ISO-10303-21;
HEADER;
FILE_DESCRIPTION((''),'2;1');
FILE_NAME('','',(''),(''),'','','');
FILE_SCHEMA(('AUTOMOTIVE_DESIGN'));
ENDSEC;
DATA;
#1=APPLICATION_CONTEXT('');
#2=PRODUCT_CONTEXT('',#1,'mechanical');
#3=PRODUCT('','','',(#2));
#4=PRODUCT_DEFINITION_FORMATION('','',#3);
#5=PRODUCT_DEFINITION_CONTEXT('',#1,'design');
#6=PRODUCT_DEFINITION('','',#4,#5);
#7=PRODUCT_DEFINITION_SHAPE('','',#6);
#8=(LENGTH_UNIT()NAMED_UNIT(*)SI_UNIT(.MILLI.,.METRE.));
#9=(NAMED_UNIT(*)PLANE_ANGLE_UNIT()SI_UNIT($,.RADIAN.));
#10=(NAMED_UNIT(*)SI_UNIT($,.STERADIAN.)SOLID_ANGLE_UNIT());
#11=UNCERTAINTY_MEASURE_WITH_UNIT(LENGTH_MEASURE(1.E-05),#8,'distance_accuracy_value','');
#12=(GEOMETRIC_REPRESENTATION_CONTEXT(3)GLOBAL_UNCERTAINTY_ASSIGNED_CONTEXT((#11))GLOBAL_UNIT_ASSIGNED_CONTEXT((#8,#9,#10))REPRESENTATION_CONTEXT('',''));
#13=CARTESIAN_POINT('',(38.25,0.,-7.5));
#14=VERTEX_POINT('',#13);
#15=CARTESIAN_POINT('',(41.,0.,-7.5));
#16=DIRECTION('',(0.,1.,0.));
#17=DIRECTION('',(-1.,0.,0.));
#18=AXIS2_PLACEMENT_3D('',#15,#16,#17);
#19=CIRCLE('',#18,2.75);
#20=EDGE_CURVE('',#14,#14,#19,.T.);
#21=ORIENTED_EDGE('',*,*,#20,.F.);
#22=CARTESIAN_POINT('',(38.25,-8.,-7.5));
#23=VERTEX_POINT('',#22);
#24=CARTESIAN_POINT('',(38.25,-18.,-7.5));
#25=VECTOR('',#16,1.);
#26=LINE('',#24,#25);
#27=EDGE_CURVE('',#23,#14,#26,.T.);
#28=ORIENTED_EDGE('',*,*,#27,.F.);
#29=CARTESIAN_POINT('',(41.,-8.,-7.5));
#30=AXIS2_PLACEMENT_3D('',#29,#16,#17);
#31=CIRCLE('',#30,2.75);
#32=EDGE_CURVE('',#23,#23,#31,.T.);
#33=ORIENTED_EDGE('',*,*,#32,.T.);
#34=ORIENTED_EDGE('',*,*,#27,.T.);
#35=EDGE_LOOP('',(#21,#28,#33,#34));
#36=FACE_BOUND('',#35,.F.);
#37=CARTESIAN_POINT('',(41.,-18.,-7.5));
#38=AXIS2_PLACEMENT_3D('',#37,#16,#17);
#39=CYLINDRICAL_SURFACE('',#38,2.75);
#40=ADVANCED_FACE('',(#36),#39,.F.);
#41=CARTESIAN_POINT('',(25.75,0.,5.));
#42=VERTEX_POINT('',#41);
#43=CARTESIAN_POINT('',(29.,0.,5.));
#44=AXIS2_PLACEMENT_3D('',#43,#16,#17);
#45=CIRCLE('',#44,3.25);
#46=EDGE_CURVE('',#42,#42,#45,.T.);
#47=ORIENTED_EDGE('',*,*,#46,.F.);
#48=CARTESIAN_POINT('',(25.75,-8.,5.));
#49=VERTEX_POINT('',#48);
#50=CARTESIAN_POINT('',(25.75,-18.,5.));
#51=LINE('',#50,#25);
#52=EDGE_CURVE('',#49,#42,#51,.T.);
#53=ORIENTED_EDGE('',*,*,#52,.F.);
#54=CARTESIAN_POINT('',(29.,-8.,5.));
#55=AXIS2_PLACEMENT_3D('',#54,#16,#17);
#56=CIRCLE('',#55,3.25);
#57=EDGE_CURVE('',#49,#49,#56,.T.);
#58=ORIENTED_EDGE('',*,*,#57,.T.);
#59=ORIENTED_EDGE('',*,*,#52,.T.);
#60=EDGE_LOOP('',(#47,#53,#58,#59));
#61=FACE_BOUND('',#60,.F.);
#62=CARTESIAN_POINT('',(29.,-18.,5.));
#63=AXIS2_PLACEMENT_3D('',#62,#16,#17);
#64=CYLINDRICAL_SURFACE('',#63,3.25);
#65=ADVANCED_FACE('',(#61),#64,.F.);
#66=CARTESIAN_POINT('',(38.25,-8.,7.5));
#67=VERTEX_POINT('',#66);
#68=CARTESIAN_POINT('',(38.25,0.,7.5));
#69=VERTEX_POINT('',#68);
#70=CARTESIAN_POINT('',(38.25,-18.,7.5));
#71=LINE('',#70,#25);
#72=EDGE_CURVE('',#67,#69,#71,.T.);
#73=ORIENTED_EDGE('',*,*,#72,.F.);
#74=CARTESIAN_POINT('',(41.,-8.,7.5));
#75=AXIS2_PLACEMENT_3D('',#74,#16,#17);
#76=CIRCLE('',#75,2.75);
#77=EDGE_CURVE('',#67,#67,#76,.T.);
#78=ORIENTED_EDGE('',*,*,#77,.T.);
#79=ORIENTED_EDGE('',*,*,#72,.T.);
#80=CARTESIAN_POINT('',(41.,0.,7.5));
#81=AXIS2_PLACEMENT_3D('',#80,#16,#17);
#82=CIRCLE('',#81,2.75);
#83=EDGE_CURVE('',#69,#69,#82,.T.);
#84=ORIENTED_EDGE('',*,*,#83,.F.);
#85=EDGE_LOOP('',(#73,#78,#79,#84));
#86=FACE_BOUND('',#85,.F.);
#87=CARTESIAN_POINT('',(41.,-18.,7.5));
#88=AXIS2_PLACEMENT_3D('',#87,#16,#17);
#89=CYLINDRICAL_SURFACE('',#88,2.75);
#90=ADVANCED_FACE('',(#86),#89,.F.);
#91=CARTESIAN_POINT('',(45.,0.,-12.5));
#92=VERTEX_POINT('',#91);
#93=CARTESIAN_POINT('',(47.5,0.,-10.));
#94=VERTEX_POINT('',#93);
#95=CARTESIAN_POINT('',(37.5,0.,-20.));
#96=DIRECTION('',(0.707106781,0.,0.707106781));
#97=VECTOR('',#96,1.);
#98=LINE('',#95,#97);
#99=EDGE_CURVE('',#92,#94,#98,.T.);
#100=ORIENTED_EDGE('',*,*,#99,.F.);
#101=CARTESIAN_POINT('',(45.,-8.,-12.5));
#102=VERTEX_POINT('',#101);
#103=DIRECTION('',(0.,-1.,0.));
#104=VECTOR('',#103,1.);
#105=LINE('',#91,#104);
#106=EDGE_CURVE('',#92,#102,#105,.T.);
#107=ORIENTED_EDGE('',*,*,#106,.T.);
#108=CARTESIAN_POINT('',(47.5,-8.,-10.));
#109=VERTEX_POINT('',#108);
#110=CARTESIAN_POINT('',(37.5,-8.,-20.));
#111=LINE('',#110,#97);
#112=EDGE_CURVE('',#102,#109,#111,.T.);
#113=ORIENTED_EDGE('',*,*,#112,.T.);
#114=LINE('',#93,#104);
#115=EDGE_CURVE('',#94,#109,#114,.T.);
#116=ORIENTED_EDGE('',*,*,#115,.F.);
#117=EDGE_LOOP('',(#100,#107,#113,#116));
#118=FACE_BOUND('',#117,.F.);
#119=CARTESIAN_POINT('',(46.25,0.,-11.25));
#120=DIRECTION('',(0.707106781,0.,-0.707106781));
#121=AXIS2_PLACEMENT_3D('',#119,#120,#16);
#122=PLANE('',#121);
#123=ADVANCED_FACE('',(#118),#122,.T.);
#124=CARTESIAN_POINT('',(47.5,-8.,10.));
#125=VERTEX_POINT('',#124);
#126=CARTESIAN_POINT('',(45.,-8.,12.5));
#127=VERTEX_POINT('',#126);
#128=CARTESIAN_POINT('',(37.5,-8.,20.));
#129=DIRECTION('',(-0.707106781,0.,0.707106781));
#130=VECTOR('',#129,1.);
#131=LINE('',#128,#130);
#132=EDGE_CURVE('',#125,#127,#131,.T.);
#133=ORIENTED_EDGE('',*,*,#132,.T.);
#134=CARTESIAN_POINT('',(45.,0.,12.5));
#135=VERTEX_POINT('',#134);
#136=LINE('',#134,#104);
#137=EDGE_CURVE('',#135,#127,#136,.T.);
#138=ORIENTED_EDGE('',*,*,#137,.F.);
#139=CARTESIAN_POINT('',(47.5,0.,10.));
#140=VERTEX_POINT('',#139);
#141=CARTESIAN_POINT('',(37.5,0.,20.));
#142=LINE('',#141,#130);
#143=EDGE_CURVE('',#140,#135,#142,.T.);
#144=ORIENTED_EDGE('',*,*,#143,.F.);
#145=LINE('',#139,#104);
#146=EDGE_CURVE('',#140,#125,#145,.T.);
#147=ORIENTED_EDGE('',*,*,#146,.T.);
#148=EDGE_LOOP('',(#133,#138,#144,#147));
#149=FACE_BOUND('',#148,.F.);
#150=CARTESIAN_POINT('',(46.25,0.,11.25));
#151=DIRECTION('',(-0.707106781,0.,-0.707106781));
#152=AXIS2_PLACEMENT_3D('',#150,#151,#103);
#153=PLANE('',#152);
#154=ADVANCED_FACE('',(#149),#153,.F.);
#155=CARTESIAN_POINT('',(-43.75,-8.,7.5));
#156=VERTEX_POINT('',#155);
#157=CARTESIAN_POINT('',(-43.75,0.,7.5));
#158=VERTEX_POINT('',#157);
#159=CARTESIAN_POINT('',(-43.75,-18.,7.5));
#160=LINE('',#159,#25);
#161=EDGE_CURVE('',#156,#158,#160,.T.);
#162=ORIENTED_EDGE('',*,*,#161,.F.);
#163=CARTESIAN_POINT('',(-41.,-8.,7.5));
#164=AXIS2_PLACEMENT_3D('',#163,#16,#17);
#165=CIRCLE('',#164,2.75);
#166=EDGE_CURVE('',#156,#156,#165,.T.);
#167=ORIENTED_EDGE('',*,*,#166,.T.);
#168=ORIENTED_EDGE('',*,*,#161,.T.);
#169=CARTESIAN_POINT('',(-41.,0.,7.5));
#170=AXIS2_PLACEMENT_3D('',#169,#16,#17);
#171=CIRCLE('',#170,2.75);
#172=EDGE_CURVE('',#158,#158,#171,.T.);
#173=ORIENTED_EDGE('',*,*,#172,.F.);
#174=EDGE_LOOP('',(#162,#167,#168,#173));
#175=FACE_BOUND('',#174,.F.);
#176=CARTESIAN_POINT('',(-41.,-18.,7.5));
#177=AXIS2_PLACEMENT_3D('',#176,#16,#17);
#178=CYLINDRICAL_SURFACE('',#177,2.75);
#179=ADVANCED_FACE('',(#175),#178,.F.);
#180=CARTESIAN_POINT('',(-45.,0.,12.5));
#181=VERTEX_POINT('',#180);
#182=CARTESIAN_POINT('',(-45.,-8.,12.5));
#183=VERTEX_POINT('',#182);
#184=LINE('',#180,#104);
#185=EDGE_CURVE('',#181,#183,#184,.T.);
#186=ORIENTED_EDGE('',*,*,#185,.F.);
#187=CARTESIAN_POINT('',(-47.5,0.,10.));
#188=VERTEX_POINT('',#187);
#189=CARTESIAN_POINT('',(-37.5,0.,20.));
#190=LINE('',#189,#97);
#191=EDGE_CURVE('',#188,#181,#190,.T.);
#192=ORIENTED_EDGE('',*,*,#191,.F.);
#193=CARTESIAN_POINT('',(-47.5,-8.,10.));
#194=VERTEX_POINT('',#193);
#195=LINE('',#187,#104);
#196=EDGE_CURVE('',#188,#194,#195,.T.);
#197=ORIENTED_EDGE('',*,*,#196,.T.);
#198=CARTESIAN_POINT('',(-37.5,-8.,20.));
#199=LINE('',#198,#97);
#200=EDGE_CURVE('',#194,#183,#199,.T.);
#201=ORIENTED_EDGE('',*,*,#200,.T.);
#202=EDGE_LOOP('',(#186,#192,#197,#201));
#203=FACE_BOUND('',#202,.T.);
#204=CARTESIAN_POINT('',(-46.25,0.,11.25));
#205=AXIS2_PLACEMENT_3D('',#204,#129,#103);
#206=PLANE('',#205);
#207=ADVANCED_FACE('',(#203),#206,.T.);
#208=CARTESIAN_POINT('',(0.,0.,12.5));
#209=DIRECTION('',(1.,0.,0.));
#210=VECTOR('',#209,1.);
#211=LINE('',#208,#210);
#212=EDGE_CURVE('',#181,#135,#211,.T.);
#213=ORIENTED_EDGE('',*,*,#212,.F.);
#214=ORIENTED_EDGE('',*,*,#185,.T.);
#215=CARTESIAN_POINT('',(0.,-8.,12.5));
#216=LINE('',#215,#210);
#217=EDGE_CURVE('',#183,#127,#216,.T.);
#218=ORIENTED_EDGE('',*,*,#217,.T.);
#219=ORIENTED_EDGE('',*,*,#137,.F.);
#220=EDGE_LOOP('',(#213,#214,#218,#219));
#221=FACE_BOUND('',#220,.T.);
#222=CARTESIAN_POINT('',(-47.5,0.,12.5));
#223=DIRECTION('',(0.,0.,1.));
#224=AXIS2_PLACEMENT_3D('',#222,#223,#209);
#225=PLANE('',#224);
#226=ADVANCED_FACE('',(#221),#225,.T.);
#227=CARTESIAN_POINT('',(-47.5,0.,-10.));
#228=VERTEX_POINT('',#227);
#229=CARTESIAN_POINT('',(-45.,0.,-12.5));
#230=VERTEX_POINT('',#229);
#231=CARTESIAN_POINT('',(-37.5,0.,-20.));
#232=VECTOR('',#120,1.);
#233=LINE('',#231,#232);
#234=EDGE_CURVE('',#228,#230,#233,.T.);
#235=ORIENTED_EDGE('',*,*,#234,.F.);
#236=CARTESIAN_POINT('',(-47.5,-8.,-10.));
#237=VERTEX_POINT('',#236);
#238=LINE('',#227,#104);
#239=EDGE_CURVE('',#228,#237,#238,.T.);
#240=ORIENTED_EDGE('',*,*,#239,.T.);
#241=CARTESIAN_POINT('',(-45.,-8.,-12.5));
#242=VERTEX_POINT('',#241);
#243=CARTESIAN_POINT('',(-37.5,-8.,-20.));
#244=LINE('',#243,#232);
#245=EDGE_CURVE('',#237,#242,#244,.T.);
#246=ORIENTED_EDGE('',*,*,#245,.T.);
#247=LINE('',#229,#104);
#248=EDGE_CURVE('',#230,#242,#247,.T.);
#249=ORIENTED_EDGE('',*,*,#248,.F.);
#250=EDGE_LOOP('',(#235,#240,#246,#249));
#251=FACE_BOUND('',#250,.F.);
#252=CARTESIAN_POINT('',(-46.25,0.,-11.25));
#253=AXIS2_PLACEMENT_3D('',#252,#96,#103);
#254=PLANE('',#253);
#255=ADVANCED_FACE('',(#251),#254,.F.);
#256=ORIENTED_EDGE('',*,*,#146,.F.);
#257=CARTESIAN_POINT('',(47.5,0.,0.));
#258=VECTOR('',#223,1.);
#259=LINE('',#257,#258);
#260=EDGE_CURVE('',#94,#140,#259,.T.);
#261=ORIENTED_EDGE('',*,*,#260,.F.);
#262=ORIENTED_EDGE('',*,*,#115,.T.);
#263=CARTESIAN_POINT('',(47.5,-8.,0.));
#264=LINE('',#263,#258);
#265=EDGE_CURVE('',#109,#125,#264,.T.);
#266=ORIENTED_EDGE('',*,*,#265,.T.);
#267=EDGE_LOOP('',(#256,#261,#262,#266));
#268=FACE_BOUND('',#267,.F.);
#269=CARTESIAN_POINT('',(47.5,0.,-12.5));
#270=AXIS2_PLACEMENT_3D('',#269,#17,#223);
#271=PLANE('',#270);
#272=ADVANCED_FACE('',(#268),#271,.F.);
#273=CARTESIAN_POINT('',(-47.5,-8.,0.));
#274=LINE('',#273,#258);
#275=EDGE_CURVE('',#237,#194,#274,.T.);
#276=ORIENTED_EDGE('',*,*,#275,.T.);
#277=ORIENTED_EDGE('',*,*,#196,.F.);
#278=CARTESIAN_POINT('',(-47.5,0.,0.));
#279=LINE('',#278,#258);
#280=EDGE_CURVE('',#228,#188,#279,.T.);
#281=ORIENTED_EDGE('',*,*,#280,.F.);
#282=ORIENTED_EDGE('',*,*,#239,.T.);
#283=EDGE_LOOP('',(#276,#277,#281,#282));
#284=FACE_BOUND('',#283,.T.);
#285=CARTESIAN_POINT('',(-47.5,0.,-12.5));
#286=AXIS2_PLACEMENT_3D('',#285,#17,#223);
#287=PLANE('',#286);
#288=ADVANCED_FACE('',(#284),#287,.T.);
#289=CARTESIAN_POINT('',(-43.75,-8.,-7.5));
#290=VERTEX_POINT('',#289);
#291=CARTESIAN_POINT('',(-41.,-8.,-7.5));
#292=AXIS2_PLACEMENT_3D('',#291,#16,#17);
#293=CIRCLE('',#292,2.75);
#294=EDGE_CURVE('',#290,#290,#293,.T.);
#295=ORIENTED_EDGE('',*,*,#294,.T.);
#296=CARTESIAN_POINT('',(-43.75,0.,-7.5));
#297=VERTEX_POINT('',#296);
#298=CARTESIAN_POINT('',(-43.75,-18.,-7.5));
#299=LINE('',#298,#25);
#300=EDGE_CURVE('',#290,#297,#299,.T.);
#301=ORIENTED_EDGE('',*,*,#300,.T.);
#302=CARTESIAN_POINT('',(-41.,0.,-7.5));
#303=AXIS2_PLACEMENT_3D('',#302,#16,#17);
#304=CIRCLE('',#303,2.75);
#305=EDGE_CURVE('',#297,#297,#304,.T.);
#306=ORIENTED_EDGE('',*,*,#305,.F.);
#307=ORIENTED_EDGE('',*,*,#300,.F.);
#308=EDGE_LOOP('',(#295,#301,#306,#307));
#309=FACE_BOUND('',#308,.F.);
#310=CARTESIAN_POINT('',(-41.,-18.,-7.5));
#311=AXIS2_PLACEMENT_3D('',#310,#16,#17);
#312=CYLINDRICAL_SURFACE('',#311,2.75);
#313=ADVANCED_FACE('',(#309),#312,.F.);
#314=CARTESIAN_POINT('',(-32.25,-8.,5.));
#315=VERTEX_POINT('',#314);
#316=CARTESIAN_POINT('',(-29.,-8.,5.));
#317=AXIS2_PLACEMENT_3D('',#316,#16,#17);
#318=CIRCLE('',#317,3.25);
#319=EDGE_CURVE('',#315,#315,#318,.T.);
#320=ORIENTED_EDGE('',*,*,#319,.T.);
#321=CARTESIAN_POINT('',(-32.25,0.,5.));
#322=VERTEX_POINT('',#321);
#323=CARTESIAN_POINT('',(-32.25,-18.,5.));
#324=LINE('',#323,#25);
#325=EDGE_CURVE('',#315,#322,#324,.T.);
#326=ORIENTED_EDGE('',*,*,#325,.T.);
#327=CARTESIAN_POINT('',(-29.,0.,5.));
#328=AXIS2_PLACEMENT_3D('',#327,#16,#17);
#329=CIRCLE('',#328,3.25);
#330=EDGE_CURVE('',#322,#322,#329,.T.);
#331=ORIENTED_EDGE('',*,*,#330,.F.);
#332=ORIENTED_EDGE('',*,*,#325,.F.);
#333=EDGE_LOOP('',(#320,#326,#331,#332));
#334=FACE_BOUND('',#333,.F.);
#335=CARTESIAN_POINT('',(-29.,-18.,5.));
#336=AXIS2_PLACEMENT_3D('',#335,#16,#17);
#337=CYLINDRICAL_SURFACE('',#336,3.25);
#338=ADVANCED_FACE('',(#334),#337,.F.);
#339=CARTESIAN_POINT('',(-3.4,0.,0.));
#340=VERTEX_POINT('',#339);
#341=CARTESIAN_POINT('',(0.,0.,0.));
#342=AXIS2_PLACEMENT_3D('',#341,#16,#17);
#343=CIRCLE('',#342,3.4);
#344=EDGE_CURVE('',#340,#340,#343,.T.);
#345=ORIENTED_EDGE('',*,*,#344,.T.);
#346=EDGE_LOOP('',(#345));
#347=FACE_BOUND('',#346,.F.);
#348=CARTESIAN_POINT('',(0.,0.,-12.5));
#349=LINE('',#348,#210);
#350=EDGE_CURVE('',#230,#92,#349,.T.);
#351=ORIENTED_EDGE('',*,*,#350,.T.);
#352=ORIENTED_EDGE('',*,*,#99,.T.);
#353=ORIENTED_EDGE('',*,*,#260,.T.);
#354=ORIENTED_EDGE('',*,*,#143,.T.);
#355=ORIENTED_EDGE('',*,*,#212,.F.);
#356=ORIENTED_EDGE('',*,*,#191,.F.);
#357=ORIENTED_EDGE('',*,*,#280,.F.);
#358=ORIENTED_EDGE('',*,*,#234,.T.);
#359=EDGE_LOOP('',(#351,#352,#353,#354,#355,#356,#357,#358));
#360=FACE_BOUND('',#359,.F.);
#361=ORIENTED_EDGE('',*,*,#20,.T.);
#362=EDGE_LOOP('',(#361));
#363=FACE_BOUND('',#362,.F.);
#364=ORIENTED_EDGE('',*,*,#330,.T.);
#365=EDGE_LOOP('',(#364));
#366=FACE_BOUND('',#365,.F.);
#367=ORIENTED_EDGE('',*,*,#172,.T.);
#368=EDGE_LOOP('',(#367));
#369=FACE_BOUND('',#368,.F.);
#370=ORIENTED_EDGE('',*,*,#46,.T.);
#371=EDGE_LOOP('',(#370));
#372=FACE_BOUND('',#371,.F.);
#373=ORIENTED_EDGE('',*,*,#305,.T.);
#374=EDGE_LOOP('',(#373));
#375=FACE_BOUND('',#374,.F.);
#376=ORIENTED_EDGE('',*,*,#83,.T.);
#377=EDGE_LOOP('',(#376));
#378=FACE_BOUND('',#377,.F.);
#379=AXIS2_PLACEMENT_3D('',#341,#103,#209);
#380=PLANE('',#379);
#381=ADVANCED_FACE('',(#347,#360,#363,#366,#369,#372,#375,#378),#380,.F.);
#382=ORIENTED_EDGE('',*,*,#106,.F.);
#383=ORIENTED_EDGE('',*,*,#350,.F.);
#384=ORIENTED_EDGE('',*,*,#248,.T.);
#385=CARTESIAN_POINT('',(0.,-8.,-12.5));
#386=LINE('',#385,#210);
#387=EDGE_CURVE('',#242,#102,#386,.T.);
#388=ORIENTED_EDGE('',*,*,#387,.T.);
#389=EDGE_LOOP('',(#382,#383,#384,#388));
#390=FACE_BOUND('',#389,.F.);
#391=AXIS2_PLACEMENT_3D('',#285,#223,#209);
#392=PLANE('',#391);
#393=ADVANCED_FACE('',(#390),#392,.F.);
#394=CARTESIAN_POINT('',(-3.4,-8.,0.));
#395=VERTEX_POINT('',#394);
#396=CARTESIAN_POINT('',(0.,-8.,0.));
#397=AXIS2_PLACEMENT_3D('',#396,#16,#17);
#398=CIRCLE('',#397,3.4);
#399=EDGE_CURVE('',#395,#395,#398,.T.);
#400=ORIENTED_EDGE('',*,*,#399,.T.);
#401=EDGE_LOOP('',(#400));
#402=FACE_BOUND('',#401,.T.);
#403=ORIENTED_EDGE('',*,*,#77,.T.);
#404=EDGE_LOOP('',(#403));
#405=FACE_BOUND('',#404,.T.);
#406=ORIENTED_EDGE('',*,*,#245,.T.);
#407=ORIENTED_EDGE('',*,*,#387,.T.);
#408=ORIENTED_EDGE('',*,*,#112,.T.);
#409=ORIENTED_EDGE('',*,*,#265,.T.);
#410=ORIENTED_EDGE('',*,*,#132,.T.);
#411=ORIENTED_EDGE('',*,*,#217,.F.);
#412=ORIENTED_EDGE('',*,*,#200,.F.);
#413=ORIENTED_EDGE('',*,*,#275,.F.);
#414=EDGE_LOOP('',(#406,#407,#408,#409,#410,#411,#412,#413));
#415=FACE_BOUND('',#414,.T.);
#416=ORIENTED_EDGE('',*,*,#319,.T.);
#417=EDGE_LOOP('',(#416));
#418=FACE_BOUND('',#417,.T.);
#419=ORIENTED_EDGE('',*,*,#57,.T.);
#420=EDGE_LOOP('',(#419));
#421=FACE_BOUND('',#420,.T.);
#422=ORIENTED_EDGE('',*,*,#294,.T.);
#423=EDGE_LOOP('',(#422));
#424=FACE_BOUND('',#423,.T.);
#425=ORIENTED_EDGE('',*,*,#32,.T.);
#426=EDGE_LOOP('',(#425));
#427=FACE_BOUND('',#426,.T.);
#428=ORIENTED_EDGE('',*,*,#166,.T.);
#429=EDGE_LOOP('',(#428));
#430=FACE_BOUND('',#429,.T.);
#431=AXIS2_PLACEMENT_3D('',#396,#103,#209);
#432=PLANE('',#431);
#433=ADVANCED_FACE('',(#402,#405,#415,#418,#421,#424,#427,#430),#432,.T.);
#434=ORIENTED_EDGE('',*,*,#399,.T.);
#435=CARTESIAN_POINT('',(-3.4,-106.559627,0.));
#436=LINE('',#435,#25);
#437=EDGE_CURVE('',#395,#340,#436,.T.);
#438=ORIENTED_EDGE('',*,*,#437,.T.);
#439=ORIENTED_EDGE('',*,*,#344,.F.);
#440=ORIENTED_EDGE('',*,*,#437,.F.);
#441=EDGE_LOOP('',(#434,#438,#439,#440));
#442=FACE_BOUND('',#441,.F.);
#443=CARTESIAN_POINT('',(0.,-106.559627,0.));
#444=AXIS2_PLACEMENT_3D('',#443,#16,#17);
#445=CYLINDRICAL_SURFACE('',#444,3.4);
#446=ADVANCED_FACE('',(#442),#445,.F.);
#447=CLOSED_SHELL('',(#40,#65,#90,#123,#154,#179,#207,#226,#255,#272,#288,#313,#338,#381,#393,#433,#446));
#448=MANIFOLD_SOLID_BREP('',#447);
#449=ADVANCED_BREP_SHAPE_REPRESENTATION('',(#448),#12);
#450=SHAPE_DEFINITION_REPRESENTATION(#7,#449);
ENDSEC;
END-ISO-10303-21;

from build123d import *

# Parameters (mm, degrees)
F0_W     = 95
F0_H     = 25
F1_DEPTH = 8
F2_SIZE  = 2.5
F4_D     = 5.5
F4_DEPTH = 10
F4_TIP   = 1.6523667023
F6_D     = 6.5
F6_DEPTH = 10
F6_TIP   = 1.9527970118
F7_D     = 6.8


with BuildPart() as f1:
    # F0 (on Front) → F1 (new body)
    with BuildSketch(Plane.XZ):
        Rectangle(F0_W, F0_H)
    extrude(amount=F1_DEPTH)

    # F2
    f2_edges = [f1.edges().sort_by_distance(p)[0] for p in [
        (47.5, -4, 12.5),
        (47.5, -4, -12.5),
        (-47.5, -4, 12.5),
        (-47.5, -4, -12.5),
    ]]
    chamfer(f2_edges, length=F2_SIZE)

    # F4
    with Locations(Plane.XZ.offset(8)):
        with Locations((-41, 7.5), (-41, -7.5), (41, -7.5), (41, 7.5)):
            Hole(F4_D / 2, depth=F4_DEPTH)
            with Locations((0, 0, -(F4_DEPTH + F4_TIP / 2))):  # 118° drill point
                Cone(0, F4_D / 2, F4_TIP, mode=Mode.SUBTRACT)

    # F6
    with Locations(Plane.XZ.offset(8)):
        with Locations((-29, 5), (29, 5)):
            Hole(F6_D / 2, depth=F6_DEPTH)
            with Locations((0, 0, -(F6_DEPTH + F6_TIP / 2))):  # 118° drill point
                Cone(0, F6_D / 2, F6_TIP, mode=Mode.SUBTRACT)

    # F7 (through all)
    with Locations(Plane.XZ.offset(8)):
        with Locations((0, 0)):
            Hole(F7_D / 2)


solid = f1.part
